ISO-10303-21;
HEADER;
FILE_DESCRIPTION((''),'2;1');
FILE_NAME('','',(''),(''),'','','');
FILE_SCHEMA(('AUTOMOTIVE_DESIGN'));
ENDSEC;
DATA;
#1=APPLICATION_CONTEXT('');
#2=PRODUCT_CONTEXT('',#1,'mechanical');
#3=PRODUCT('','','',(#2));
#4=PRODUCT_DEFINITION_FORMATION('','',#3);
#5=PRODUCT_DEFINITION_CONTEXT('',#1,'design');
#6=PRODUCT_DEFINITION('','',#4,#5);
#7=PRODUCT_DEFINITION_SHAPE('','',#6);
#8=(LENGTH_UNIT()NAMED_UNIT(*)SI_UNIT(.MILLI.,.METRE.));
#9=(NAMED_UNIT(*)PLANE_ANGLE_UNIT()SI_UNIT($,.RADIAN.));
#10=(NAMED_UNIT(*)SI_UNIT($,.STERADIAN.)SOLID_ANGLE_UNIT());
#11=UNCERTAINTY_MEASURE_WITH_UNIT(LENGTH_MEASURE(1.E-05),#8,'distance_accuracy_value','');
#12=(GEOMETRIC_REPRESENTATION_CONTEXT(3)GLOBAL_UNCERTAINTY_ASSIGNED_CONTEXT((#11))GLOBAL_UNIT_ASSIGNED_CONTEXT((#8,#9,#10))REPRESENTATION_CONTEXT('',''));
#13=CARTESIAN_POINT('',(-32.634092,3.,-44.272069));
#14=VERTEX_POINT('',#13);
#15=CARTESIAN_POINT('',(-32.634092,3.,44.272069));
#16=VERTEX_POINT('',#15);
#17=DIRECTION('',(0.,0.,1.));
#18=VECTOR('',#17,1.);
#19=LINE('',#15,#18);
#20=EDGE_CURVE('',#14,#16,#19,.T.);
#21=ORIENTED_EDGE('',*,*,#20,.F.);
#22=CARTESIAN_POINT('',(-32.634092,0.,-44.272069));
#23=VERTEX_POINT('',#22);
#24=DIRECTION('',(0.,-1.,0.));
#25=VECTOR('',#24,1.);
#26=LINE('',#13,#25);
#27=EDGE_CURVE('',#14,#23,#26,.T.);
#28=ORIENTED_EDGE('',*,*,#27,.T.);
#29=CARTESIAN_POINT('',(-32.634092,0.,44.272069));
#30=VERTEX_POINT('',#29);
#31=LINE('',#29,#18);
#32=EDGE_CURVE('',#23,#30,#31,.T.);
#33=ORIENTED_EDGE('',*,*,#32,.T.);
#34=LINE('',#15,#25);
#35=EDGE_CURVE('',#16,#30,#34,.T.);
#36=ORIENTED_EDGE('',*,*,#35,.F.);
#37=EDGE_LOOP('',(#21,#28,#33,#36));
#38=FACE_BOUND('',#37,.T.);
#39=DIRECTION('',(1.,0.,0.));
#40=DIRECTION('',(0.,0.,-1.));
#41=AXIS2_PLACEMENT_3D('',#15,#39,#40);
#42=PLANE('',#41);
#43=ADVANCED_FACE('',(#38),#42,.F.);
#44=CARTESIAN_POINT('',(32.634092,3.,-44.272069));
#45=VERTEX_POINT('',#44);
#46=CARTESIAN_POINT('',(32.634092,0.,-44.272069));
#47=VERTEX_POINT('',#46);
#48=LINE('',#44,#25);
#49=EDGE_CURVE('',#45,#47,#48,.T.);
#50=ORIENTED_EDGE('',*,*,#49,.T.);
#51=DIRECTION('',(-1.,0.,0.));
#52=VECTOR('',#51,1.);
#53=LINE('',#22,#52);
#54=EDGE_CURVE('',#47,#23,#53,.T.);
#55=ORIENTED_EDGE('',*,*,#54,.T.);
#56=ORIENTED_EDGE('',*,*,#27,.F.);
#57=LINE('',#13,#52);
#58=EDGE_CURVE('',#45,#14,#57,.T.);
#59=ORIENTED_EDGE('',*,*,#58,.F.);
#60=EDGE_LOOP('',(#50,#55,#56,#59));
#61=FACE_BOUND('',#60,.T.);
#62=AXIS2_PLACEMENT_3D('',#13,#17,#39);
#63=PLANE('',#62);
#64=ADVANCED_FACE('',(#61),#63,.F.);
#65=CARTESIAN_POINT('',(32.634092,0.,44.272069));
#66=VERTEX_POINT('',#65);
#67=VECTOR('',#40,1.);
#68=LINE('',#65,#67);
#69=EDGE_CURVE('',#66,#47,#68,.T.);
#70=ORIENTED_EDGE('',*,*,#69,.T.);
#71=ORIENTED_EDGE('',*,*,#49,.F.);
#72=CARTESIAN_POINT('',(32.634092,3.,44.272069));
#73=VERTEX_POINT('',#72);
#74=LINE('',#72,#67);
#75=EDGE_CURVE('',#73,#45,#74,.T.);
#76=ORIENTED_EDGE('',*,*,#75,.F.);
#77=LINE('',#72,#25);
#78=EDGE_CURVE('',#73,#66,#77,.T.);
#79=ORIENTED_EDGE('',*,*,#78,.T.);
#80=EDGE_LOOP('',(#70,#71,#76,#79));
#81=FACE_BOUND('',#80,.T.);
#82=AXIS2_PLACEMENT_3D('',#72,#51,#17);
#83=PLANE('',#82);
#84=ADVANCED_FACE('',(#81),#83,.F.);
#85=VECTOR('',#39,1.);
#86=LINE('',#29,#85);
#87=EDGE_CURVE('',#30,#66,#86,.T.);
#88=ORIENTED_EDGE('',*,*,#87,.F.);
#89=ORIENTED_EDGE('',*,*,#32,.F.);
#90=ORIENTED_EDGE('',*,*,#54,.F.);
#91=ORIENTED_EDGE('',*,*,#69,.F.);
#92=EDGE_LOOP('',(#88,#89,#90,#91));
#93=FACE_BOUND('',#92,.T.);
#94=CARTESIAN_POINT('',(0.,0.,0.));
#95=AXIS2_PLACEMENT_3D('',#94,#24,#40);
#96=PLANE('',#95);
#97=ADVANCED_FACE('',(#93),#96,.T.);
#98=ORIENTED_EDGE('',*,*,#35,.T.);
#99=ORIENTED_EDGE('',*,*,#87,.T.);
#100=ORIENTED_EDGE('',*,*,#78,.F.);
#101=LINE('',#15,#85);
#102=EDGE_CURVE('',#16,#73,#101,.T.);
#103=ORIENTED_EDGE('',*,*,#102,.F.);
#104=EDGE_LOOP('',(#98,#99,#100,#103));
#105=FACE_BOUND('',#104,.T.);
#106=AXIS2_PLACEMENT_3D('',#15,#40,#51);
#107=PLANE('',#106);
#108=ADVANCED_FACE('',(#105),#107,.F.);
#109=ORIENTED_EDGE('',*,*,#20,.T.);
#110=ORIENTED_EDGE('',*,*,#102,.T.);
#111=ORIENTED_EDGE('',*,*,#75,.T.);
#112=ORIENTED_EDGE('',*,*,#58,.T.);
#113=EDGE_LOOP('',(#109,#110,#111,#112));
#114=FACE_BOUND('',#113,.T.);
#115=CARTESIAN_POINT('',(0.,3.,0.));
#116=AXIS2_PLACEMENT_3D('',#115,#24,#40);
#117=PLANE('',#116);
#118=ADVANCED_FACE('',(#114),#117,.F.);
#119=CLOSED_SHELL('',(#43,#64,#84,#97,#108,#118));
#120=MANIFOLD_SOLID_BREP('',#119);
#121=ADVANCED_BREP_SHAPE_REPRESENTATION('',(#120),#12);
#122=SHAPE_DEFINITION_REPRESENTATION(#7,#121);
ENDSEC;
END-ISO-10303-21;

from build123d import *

# Parameters (mm, degrees)
SKETCH1_W           = 65.26818369
SKETCH1_H           = 88.544137004
BOSS_EXTRUDE1_DEPTH = 3


with BuildPart() as part:
    # Sketch1 → Boss-Extrude1 (new body)
    with BuildSketch(Plane(origin=(0, 0, 0), x_dir=(1, 0, 0), z_dir=(0, 1, 0))):
        Rectangle(SKETCH1_W, SKETCH1_H)
    extrude(amount=BOSS_EXTRUDE1_DEPTH)


solid = part.part
